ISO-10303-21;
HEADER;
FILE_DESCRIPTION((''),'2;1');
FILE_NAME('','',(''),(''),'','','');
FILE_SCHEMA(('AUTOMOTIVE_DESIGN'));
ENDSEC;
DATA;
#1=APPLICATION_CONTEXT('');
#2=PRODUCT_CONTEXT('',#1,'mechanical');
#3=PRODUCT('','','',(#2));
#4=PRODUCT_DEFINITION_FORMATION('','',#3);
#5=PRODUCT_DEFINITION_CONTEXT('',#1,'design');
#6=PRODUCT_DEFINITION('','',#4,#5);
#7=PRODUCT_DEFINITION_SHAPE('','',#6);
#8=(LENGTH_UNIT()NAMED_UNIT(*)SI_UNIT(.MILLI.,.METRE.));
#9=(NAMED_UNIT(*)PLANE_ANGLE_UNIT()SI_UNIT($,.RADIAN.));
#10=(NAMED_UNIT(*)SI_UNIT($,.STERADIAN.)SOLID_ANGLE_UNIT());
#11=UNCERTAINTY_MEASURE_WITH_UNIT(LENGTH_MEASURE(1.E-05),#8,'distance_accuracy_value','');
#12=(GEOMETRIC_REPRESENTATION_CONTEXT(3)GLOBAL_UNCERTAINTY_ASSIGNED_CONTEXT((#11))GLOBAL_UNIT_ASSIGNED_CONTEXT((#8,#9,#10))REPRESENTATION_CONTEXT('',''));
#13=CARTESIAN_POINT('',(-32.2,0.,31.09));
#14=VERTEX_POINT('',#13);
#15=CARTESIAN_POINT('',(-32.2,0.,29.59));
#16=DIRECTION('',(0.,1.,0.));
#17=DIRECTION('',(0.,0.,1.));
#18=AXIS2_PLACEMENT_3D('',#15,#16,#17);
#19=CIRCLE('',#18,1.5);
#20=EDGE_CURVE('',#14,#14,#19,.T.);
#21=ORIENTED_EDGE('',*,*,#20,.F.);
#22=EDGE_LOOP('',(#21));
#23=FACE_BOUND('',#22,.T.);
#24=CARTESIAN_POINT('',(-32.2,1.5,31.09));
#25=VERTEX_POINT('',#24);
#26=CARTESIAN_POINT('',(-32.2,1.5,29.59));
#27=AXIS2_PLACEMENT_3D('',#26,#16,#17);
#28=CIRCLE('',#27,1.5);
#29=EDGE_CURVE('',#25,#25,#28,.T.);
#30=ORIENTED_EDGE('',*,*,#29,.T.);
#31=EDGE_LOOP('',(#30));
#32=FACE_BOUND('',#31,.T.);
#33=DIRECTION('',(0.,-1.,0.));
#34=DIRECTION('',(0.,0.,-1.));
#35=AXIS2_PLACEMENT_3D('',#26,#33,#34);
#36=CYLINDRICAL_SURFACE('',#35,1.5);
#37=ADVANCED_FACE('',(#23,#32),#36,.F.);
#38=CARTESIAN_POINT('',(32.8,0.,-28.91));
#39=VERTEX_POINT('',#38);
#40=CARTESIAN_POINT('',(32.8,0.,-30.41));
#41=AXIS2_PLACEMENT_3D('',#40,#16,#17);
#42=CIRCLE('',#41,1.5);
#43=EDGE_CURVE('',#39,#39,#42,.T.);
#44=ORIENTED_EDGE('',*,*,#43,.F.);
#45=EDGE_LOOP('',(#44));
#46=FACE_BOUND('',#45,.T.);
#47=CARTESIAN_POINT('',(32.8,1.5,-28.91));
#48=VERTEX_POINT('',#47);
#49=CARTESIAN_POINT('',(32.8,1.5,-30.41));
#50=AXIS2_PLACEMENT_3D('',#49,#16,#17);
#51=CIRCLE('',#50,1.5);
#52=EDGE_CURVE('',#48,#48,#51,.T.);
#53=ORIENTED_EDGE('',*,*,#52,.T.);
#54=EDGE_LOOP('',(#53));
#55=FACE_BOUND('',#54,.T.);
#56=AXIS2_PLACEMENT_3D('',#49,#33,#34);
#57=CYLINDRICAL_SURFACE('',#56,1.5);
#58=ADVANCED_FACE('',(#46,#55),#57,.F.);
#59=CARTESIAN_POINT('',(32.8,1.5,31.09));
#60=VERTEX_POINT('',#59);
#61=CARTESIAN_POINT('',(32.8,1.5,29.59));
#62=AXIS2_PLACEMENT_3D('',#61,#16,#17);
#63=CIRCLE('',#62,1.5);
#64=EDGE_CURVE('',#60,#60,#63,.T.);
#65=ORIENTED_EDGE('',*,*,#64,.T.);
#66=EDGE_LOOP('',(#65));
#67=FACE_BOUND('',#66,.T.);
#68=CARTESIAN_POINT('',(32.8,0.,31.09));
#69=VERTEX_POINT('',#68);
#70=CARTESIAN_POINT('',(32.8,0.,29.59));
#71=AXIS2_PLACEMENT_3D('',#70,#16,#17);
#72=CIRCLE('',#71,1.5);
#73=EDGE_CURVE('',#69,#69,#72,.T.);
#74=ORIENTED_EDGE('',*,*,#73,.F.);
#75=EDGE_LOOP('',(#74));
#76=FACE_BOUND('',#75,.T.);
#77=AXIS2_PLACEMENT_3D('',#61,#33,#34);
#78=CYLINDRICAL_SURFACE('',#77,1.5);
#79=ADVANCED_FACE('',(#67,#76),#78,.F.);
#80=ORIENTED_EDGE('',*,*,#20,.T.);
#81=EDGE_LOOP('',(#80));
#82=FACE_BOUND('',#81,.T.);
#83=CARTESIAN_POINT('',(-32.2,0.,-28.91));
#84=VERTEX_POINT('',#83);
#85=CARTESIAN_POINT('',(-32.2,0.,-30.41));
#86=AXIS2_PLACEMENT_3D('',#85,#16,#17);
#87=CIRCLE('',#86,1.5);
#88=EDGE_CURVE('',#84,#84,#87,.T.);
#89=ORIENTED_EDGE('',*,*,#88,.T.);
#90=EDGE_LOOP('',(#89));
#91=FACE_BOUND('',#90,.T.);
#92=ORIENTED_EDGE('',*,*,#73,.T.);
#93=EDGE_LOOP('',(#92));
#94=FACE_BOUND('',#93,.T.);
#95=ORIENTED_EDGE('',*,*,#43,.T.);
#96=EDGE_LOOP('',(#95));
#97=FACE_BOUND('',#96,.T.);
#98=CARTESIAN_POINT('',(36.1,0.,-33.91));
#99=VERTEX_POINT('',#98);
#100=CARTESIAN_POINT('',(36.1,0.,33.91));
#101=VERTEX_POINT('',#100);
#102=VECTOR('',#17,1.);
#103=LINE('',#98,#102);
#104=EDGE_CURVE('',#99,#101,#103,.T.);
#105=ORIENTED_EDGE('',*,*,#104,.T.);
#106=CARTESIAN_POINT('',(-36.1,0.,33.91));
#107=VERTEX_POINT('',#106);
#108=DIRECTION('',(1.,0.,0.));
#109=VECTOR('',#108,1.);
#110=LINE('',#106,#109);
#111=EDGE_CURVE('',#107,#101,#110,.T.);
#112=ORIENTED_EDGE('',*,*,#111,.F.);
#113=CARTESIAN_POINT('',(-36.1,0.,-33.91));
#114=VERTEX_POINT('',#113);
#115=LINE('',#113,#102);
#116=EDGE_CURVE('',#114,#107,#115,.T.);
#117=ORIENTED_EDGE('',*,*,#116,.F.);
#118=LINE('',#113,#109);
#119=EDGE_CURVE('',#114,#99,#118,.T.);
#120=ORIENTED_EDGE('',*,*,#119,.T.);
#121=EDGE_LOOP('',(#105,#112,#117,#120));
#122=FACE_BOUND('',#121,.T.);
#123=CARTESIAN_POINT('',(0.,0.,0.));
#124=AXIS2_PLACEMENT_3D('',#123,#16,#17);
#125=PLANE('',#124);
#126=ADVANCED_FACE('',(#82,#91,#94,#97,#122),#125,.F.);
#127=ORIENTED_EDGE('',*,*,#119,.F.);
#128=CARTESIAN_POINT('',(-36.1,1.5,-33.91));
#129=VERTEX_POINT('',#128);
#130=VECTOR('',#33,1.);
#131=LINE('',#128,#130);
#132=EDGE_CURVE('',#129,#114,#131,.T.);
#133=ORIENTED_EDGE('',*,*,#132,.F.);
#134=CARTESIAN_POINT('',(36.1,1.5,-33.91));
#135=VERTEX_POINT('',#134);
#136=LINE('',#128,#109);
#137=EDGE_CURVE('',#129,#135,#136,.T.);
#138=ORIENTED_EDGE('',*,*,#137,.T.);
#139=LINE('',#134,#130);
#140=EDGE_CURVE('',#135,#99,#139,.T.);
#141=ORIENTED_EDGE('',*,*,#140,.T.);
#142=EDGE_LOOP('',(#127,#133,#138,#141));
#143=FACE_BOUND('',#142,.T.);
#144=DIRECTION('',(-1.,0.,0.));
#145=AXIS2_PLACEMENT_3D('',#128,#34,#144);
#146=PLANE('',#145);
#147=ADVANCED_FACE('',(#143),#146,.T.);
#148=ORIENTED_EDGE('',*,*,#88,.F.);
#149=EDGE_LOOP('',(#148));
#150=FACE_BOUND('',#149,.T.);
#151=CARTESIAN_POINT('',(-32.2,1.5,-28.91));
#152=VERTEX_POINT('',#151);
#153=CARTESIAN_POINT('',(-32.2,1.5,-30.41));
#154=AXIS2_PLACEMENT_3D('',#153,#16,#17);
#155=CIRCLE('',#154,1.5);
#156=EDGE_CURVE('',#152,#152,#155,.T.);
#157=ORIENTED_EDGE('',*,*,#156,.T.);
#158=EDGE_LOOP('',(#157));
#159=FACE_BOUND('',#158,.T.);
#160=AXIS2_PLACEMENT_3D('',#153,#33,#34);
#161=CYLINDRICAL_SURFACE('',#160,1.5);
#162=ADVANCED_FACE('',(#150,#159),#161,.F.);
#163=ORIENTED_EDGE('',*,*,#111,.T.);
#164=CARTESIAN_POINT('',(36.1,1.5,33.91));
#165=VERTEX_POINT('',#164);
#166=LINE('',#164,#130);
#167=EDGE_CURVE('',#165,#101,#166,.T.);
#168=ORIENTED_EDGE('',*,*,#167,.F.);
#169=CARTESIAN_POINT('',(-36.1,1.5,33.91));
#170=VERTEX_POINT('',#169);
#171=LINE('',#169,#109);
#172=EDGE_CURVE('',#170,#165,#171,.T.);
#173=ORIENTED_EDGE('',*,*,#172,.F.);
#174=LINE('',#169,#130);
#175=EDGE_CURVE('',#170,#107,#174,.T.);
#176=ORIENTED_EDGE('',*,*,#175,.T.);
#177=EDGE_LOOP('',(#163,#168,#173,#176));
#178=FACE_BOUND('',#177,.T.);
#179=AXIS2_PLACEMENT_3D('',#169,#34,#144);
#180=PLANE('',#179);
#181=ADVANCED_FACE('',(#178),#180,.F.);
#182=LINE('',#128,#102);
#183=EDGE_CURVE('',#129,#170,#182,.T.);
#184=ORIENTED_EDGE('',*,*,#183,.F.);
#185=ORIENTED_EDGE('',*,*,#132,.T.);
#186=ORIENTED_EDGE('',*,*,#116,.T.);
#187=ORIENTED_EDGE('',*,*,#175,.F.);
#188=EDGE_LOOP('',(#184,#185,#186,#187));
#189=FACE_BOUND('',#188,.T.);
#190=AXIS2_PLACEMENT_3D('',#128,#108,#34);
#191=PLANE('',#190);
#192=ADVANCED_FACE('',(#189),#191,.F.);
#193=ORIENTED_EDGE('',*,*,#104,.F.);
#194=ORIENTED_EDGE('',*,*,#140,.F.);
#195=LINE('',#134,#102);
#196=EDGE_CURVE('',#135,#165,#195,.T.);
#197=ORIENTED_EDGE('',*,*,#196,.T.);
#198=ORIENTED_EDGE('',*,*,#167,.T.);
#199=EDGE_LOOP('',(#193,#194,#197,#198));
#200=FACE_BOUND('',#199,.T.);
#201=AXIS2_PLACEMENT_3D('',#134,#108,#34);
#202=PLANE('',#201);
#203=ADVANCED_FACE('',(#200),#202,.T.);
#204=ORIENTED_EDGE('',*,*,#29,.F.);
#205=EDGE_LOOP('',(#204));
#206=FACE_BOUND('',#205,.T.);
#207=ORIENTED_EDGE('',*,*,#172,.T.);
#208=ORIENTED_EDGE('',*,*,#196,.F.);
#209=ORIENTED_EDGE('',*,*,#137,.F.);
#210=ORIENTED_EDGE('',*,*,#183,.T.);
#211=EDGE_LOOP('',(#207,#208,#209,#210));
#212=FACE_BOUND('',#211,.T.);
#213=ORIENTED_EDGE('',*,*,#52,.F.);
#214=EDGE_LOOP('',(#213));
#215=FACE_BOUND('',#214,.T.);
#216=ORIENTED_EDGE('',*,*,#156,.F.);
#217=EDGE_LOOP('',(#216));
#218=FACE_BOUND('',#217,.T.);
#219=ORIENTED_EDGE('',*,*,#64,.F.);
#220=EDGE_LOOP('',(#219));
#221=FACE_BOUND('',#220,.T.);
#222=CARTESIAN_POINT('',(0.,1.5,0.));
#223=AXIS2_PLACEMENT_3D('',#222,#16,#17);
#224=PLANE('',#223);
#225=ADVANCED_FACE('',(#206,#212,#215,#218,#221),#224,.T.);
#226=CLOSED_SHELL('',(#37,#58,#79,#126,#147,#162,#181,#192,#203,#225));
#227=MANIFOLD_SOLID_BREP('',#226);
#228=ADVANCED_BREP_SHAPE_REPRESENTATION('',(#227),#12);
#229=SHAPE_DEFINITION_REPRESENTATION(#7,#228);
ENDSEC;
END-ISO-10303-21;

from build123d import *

# Parameters (mm, degrees)
ESQUISSE1_W        = 72.2
ESQUISSE1_H        = 67.82
ESQUISSE1_R        = 1.5
BOSS_EXTRU_1_DEPTH = 1.5
ESQUISSE1_4_W      = 72.2
ESQUISSE1_4_H      = 67.82
ESQUISSE1_4_R      = 1.5
ESQUISSE1_4_W_2    = 60
ESQUISSE1_4_H_2    = 30
BOSS_EXTRU_2_DEPTH = 1.5


with BuildPart() as part:
    # Esquisse1 → Boss.-Extru.1 (new body)
    with BuildSketch(Plane(origin=(0, 0, 0), x_dir=(1, 0, 0), z_dir=(0, 1, 0))):
        Rectangle(ESQUISSE1_W, ESQUISSE1_H)
        with Locations((-32.2, 30.41)):
            Circle(ESQUISSE1_R, mode=Mode.SUBTRACT)
        with Locations((32.8, 30.41)):
            Circle(ESQUISSE1_R, mode=Mode.SUBTRACT)
        with Locations((-32.2, -29.59)):
            Circle(ESQUISSE1_R, mode=Mode.SUBTRACT)
        with Locations((32.8, -29.59)):
            Circle(ESQUISSE1_R, mode=Mode.SUBTRACT)
    extrude(amount=BOSS_EXTRU_1_DEPTH)

    # Esquisse1<4> → Boss.-Extru.2 (add)
    with BuildSketch(Plane(origin=(0, 0, 0), x_dir=(1, 0, 0), z_dir=(0, 1, 0))):
        Rectangle(ESQUISSE1_4_W, ESQUISSE1_4_H)
        with Locations((-32.2, 30.41)):
            Circle(ESQUISSE1_4_R, mode=Mode.SUBTRACT)
        with Locations((32.8, 30.41)):
            Circle(ESQUISSE1_4_R, mode=Mode.SUBTRACT)
        with Locations((-32.2, -29.59)):
            Circle(ESQUISSE1_4_R, mode=Mode.SUBTRACT)
        with Locations((32.8, -29.59)):
            Circle(ESQUISSE1_4_R, mode=Mode.SUBTRACT)
        with Locations((-0.3, 3.91)):
            Rectangle(ESQUISSE1_4_W_2, ESQUISSE1_4_H_2, mode=Mode.SUBTRACT)
    extrude(amount=BOSS_EXTRU_2_DEPTH)


solid = part.part
